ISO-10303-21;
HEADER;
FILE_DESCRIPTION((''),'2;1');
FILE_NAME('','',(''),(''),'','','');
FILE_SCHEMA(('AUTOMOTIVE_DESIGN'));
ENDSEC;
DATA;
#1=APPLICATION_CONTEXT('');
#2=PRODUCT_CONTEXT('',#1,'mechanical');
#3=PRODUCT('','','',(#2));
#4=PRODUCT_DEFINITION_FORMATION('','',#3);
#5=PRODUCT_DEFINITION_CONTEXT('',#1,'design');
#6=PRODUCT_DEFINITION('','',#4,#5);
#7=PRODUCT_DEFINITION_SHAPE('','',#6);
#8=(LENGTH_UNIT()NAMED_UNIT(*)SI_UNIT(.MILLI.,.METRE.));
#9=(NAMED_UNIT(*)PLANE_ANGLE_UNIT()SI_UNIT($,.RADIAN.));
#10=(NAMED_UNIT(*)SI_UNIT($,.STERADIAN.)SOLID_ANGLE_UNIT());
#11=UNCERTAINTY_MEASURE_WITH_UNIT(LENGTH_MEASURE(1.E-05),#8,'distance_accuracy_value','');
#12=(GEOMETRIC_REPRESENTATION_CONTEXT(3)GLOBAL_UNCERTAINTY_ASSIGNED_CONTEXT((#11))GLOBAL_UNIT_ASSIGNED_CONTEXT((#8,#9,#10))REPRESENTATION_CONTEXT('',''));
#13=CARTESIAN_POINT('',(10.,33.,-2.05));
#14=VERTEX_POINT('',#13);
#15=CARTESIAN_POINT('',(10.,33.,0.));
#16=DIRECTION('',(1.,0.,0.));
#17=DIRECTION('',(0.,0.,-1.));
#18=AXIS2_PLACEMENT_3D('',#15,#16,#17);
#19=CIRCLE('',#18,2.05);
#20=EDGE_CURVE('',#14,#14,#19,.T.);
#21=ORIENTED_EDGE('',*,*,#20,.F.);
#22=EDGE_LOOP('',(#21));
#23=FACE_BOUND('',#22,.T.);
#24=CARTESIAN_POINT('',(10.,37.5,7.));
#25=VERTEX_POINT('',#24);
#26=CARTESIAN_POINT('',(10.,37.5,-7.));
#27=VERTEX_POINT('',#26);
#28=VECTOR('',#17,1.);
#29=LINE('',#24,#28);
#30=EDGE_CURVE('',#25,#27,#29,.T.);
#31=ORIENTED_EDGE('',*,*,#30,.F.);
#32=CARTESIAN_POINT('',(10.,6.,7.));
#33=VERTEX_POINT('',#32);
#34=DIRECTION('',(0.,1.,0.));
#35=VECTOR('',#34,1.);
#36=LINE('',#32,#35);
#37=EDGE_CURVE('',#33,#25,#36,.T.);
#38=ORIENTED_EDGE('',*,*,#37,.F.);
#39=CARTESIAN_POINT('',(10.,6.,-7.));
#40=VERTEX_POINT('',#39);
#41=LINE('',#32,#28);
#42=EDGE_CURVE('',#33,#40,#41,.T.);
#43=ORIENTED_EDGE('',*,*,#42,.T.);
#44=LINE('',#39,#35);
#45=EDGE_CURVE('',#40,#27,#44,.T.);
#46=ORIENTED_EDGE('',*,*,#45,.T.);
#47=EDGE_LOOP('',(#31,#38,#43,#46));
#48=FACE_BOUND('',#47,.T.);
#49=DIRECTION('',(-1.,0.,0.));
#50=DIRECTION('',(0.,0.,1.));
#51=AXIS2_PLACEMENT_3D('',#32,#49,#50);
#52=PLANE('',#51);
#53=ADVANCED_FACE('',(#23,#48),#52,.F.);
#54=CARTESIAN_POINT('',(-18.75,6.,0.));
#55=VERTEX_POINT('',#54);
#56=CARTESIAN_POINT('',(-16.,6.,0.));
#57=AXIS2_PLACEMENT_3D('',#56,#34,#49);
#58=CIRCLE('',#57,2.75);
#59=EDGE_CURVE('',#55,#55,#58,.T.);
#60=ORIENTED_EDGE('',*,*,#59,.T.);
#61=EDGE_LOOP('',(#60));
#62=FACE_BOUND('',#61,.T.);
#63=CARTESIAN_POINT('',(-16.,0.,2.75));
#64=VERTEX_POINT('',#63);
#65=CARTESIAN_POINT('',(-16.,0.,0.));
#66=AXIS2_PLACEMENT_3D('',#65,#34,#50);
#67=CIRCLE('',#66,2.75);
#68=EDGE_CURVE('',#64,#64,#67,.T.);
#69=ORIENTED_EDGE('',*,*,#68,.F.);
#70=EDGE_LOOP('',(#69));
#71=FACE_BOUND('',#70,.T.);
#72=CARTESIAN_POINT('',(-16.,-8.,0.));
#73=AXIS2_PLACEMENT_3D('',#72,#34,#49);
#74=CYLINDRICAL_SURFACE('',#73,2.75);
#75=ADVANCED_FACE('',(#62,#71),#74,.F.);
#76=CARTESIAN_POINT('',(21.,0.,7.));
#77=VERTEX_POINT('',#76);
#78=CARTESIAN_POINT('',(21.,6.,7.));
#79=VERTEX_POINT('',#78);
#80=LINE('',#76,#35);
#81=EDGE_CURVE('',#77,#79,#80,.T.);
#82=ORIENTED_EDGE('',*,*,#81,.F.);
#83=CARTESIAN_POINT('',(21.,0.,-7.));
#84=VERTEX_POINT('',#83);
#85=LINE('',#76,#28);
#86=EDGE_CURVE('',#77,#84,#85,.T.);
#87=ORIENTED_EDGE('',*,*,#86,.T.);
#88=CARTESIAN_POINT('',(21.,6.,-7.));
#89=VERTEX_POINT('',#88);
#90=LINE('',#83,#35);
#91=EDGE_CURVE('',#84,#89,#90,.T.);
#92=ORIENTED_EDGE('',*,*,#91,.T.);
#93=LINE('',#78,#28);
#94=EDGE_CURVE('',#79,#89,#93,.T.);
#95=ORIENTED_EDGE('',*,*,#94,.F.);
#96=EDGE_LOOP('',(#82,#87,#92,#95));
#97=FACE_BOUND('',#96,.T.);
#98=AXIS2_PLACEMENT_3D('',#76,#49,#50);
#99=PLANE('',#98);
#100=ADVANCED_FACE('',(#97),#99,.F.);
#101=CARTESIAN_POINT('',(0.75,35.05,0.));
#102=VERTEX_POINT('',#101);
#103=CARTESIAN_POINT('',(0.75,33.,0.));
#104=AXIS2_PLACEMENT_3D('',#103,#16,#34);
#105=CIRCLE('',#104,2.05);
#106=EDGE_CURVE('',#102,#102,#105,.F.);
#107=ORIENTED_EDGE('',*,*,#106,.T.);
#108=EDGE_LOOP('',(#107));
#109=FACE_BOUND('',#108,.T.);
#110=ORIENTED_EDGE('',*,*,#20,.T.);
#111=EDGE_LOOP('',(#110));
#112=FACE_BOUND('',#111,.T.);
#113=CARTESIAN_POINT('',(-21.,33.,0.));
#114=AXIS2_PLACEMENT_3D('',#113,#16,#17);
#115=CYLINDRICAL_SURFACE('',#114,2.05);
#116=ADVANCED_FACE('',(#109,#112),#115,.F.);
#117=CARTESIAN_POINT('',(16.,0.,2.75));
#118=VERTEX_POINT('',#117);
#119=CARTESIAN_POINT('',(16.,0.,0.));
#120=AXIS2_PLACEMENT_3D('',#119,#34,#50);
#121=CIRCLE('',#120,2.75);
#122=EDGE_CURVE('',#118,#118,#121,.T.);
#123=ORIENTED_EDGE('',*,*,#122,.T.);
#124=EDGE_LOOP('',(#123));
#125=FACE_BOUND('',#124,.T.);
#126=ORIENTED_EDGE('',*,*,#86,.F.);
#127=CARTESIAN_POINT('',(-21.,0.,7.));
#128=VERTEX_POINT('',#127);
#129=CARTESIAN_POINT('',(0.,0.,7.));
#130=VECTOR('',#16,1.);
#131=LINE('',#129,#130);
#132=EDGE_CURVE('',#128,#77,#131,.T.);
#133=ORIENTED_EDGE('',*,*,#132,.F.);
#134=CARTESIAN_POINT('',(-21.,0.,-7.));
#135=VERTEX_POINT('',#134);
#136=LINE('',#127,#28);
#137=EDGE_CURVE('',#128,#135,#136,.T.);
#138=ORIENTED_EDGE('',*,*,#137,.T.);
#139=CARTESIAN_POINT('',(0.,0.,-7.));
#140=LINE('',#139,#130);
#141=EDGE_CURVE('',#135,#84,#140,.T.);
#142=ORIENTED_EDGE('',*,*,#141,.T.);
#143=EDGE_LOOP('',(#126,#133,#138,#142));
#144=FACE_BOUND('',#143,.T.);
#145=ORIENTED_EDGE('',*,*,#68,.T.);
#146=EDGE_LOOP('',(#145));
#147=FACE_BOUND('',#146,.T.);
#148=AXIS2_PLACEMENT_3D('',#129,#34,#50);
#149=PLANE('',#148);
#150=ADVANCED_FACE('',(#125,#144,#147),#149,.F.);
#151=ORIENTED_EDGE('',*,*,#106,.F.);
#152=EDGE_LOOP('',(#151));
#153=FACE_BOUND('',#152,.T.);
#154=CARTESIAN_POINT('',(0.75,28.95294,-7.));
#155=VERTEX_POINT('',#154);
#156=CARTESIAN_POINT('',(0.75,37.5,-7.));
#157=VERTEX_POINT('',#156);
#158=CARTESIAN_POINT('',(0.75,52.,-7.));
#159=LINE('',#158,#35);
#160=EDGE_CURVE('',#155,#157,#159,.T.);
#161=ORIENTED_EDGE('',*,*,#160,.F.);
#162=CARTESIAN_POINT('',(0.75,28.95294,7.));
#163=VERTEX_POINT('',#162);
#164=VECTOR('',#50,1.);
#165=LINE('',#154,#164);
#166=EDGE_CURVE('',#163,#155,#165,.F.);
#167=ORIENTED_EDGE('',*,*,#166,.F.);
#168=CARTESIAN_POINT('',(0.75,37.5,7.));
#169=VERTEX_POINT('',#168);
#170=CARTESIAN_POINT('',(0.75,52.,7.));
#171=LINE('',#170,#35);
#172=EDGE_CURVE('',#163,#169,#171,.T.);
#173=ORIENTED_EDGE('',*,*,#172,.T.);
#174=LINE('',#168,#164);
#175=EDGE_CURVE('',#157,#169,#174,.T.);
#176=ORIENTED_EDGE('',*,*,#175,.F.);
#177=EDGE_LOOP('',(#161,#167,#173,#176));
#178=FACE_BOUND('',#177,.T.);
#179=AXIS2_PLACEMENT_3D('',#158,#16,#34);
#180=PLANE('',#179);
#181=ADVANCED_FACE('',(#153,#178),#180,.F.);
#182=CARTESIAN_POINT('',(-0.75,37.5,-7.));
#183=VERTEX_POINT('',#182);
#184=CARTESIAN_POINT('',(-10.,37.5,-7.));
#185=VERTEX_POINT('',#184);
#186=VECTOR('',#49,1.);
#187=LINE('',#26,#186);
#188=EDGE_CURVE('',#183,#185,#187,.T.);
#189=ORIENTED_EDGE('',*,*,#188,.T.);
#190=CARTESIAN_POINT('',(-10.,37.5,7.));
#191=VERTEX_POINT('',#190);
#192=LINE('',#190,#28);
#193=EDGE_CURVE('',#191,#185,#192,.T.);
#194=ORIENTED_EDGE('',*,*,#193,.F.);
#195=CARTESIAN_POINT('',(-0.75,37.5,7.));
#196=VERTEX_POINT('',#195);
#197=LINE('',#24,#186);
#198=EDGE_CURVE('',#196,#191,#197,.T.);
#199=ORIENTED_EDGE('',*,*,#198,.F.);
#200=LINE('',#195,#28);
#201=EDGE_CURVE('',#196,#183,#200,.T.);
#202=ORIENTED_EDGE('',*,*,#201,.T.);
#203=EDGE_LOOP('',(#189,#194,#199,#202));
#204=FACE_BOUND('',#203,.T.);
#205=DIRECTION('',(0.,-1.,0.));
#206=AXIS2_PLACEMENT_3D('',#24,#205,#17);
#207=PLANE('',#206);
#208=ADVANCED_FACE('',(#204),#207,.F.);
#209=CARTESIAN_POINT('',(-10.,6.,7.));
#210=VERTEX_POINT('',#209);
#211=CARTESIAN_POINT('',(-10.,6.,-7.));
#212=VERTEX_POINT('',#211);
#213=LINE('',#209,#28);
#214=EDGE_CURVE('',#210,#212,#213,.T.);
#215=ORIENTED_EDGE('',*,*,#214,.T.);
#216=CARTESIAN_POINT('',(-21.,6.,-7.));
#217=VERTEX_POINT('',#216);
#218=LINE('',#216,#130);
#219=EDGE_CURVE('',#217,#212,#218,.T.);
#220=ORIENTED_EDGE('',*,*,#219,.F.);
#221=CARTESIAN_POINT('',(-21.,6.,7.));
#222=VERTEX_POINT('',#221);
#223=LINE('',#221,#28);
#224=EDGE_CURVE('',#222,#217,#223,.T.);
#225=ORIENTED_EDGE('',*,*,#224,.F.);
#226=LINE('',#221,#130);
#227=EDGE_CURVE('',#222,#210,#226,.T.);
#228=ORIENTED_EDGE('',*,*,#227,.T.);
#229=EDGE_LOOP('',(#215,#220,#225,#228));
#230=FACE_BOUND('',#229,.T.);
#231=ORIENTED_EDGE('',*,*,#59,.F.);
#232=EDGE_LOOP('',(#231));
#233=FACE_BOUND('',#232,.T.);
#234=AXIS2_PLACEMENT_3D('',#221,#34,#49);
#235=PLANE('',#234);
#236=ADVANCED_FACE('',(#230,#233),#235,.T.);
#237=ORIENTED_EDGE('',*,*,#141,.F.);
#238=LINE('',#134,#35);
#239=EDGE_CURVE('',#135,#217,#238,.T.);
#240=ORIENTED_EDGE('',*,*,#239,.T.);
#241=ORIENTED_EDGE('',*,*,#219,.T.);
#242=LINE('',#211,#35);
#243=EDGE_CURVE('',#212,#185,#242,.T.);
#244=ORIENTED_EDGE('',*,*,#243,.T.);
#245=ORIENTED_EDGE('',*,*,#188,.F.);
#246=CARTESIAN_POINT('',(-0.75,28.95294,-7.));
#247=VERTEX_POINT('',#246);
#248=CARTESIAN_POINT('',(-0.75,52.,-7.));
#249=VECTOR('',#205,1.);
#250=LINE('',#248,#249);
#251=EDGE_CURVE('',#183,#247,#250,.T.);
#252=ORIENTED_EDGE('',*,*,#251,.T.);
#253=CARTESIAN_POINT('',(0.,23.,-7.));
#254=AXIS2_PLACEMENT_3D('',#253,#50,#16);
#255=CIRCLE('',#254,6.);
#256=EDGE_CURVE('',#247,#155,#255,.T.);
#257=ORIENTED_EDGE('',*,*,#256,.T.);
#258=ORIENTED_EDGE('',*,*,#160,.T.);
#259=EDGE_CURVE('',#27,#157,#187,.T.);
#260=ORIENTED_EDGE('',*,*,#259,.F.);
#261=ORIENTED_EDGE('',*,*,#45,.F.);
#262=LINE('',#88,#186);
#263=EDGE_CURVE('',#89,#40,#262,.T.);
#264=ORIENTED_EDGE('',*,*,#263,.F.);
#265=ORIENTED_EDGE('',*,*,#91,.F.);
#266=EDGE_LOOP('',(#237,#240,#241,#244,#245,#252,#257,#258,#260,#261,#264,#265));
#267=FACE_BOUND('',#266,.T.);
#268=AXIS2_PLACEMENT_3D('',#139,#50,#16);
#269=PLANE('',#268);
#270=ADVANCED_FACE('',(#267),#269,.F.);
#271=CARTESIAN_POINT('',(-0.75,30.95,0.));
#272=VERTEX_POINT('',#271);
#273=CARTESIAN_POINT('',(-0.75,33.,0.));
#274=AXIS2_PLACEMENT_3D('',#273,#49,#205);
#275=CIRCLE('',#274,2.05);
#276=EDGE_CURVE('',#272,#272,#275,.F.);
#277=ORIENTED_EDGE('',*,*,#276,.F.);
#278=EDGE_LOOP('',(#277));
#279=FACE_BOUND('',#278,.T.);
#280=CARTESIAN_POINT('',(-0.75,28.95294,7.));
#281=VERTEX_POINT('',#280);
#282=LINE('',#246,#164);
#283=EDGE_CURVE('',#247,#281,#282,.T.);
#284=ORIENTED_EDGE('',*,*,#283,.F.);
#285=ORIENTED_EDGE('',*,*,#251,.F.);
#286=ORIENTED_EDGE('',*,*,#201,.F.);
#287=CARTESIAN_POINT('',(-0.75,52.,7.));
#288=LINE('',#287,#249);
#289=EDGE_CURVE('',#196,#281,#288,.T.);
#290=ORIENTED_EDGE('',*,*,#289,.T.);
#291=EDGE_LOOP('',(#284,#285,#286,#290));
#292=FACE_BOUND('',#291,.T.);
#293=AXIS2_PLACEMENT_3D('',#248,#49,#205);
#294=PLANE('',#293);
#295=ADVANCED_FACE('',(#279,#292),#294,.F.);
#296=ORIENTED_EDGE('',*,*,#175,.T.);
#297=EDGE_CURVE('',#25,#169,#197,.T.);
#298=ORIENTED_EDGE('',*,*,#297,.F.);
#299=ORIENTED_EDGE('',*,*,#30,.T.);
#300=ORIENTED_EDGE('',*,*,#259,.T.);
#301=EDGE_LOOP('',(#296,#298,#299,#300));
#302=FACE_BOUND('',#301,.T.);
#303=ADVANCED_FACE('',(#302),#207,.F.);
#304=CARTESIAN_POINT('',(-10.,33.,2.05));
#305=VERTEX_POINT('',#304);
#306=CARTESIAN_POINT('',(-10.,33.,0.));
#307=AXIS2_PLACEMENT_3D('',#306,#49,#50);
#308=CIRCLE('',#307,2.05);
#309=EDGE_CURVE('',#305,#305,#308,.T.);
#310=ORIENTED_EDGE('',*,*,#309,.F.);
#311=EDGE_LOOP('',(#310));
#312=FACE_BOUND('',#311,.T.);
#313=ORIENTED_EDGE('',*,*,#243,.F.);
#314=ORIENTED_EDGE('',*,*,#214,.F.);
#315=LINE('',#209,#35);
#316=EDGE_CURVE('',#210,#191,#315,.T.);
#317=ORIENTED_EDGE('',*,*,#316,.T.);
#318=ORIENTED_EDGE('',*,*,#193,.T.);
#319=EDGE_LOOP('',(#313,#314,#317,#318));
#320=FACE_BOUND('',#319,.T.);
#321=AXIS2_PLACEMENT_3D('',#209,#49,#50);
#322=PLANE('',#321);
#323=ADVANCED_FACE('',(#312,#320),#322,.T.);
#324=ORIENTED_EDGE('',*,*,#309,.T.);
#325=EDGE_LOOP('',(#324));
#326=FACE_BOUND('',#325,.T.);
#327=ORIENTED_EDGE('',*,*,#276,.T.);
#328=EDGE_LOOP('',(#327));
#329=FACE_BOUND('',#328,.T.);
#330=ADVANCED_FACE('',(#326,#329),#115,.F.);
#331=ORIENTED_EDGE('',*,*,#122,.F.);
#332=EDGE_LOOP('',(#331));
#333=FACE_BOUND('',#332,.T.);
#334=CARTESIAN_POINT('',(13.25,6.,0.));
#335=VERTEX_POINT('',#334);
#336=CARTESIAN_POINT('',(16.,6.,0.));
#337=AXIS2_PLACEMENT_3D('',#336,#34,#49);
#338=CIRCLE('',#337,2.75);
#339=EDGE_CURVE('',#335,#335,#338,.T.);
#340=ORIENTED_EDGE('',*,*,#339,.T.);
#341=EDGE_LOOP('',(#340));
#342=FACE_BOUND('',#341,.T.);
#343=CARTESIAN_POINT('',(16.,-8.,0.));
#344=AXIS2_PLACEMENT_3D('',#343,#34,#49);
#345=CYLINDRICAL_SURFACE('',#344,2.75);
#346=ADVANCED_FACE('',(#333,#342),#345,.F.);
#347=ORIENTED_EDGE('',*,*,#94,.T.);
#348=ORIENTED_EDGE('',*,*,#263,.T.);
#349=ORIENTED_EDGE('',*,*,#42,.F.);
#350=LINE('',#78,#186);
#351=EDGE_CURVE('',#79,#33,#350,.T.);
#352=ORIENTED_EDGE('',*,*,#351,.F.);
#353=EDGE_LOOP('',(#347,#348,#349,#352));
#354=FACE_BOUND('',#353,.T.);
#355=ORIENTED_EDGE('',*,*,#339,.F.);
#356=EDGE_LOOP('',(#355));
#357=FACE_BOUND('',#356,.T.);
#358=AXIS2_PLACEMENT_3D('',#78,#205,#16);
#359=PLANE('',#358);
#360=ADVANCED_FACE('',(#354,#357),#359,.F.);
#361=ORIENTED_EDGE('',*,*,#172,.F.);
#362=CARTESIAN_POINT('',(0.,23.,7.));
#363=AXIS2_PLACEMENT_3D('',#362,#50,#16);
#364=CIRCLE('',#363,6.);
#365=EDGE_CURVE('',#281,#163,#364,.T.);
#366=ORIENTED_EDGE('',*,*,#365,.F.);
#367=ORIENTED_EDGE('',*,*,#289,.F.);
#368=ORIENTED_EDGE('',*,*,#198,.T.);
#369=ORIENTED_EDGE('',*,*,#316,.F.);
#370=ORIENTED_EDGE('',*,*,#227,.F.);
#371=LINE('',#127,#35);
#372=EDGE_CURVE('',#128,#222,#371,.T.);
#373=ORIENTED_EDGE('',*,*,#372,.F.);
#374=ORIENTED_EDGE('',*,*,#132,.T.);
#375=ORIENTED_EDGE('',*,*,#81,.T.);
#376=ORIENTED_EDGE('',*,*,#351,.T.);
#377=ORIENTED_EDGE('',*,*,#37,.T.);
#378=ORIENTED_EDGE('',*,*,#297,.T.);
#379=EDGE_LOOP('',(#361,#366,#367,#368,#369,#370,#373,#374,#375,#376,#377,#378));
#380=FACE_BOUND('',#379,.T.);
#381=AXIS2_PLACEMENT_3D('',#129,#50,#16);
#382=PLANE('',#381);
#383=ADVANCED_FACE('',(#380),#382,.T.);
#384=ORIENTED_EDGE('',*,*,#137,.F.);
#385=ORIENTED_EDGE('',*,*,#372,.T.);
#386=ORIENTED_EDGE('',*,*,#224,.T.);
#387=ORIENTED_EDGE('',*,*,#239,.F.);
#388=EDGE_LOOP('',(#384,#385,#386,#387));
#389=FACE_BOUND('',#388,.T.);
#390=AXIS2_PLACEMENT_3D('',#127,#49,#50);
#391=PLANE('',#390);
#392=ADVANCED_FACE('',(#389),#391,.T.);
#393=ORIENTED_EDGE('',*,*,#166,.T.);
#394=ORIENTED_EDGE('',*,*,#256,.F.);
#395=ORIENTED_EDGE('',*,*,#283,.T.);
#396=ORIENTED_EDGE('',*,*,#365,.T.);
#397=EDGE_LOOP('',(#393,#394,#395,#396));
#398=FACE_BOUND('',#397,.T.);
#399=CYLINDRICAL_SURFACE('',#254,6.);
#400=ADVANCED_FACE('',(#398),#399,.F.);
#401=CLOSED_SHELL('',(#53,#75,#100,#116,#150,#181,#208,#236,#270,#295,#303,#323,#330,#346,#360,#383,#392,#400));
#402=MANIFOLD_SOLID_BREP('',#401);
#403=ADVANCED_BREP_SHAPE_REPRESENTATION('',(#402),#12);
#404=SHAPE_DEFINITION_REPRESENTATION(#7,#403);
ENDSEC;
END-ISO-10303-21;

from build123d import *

# Parameters (mm, degrees)
BOSS_EXTRUDE1_DEPTH = 7
SKETCH2_R           = 6
CUT_EXTRUDE1_DEPTH  = 46.202322949
SKETCH3_R           = 2.05
CUT_EXTRUDE2_DEPTH  = 50.155365933
SKETCH4_R           = 2.75
CUT_EXTRUDE3_DEPTH  = 14
SKETCH5_W           = 1.5
SKETCH5_H           = 29
CUT_EXTRUDE4_DEPTH  = 46.202322949


with BuildPart() as part:
    # Sketch1 → Boss-Extrude1 (new, symmetric)
    with BuildSketch(Plane.XY):
        Polygon((0, 0), (21, 0), (21, 6), (10, 6), (10, 37.5), (0, 37.5), align=None)
    boss_extrude1 = extrude(amount=BOSS_EXTRUDE1_DEPTH, both=True)

    # Mirror1: Boss-Extrude1 across plane
    add(boss_extrude1.mirror(Plane(origin=(0, 37.5, 7), x_dir=(0, 0, 1), z_dir=(1, 0, 0))))

    # Sketch2 → Cut-Extrude1 (cut, through all)
    with BuildSketch(Plane.XY.offset(7)):
        with Locations((0, 23)):
            Circle(SKETCH2_R)
    extrude(amount=-CUT_EXTRUDE1_DEPTH, mode=Mode.SUBTRACT)

    # Sketch3 → Cut-Extrude2 (cut, through all)
    with BuildSketch(Plane(origin=(10, 0, 0), x_dir=(0, 0, -1), z_dir=(1, 0, 0))):
        with Locations((0, 33)):
            Circle(SKETCH3_R)
    extrude(amount=-CUT_EXTRUDE2_DEPTH, mode=Mode.SUBTRACT)

    # Sketch4 → Cut-Extrude3 (cut)
    with BuildSketch(Plane(origin=(0, 6, 0), x_dir=(1, 0, 0), z_dir=(0, 1, 0))):
        with Locations(Location((-16, 0, 0), (0, 0, 180))):
            Circle(SKETCH4_R)
        with Locations(Location((16, 0, 0), (0, 0, 180))):
            Circle(SKETCH4_R)
    extrude(amount=-CUT_EXTRUDE3_DEPTH, mode=Mode.SUBTRACT)

    # Sketch5 → Cut-Extrude4 (cut, through all)
    with BuildSketch(Plane.XY.offset(7)):
        with Locations((0, 37.5)):
            Rectangle(SKETCH5_W, SKETCH5_H)
    extrude(amount=-CUT_EXTRUDE4_DEPTH, mode=Mode.SUBTRACT)


solid = part.part
